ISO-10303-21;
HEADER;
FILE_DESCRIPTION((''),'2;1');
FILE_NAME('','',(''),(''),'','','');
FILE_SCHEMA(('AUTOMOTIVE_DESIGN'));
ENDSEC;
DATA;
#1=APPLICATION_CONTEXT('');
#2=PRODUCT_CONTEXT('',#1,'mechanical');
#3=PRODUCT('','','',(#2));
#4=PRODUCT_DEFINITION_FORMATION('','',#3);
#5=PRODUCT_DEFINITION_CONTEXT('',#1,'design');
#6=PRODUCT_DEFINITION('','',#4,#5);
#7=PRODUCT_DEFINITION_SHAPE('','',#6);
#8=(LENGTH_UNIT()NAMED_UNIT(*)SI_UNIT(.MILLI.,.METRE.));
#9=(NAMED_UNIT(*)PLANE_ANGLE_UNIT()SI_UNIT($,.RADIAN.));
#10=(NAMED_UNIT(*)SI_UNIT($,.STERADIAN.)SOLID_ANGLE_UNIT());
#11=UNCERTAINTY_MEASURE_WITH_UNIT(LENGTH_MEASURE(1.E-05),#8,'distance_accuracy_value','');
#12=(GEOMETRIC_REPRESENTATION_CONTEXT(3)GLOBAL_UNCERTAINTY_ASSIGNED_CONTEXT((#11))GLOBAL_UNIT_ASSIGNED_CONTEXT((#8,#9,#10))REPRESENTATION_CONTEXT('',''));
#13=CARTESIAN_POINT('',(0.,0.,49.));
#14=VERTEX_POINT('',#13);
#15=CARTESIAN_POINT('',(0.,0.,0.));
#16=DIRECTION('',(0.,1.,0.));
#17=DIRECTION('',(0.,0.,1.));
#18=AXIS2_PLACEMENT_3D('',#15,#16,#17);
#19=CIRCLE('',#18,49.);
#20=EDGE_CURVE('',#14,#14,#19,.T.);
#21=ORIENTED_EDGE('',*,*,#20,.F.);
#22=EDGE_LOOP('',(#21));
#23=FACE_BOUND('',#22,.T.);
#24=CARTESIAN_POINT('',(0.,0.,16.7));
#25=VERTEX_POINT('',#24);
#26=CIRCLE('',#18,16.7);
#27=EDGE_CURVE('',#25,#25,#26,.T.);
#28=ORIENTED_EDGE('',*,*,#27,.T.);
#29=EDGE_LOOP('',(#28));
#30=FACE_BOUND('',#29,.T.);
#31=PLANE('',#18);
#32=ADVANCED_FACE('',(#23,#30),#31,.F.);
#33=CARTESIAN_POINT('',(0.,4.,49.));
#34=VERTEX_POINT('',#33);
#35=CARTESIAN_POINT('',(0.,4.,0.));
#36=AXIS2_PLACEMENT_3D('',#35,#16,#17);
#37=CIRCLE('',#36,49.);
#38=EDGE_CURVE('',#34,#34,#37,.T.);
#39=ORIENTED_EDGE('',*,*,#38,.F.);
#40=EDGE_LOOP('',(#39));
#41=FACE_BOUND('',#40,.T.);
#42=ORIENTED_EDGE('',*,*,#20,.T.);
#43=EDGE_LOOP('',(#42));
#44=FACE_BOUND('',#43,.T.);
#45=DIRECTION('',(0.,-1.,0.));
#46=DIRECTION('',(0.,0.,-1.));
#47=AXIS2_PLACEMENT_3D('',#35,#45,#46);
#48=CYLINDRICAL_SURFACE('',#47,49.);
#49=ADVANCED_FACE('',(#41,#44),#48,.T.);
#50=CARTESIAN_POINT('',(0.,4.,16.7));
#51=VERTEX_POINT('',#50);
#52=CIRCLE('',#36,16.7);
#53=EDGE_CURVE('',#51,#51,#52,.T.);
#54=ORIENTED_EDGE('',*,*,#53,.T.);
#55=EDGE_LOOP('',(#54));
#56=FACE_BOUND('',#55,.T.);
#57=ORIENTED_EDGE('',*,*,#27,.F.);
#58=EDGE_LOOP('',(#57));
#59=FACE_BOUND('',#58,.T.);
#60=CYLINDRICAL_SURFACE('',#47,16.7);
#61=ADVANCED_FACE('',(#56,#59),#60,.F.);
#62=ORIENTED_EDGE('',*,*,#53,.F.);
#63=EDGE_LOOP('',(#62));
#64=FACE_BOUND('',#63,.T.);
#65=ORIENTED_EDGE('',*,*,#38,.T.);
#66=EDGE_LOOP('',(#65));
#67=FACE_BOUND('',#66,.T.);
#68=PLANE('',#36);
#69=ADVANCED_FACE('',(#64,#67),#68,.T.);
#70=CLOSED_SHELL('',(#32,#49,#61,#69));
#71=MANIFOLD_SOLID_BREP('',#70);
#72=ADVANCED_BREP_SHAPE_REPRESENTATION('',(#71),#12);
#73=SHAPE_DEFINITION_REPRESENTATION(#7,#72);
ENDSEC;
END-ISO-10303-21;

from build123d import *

# Parameters (mm, degrees)
SKETCH_1_R      = 49
SKETCH_1_R_2    = 16.7
EXTRUDE_1_DEPTH = 4


with BuildPart() as part:
    # Эскиз1 → Бобышка-Вытянуть1 (new body)
    with BuildSketch(Plane(origin=(0, 0, 0), x_dir=(1, 0, 0), z_dir=(0, 1, 0))):
        with Locations(Location((0, 0, 0), (0, 0, 270))):
            Circle(SKETCH_1_R)
        with Locations(Location((0, 0, 0), (0, 0, 270))):
            Circle(SKETCH_1_R_2, mode=Mode.SUBTRACT)
    extrude(amount=EXTRUDE_1_DEPTH)


solid = part.part
